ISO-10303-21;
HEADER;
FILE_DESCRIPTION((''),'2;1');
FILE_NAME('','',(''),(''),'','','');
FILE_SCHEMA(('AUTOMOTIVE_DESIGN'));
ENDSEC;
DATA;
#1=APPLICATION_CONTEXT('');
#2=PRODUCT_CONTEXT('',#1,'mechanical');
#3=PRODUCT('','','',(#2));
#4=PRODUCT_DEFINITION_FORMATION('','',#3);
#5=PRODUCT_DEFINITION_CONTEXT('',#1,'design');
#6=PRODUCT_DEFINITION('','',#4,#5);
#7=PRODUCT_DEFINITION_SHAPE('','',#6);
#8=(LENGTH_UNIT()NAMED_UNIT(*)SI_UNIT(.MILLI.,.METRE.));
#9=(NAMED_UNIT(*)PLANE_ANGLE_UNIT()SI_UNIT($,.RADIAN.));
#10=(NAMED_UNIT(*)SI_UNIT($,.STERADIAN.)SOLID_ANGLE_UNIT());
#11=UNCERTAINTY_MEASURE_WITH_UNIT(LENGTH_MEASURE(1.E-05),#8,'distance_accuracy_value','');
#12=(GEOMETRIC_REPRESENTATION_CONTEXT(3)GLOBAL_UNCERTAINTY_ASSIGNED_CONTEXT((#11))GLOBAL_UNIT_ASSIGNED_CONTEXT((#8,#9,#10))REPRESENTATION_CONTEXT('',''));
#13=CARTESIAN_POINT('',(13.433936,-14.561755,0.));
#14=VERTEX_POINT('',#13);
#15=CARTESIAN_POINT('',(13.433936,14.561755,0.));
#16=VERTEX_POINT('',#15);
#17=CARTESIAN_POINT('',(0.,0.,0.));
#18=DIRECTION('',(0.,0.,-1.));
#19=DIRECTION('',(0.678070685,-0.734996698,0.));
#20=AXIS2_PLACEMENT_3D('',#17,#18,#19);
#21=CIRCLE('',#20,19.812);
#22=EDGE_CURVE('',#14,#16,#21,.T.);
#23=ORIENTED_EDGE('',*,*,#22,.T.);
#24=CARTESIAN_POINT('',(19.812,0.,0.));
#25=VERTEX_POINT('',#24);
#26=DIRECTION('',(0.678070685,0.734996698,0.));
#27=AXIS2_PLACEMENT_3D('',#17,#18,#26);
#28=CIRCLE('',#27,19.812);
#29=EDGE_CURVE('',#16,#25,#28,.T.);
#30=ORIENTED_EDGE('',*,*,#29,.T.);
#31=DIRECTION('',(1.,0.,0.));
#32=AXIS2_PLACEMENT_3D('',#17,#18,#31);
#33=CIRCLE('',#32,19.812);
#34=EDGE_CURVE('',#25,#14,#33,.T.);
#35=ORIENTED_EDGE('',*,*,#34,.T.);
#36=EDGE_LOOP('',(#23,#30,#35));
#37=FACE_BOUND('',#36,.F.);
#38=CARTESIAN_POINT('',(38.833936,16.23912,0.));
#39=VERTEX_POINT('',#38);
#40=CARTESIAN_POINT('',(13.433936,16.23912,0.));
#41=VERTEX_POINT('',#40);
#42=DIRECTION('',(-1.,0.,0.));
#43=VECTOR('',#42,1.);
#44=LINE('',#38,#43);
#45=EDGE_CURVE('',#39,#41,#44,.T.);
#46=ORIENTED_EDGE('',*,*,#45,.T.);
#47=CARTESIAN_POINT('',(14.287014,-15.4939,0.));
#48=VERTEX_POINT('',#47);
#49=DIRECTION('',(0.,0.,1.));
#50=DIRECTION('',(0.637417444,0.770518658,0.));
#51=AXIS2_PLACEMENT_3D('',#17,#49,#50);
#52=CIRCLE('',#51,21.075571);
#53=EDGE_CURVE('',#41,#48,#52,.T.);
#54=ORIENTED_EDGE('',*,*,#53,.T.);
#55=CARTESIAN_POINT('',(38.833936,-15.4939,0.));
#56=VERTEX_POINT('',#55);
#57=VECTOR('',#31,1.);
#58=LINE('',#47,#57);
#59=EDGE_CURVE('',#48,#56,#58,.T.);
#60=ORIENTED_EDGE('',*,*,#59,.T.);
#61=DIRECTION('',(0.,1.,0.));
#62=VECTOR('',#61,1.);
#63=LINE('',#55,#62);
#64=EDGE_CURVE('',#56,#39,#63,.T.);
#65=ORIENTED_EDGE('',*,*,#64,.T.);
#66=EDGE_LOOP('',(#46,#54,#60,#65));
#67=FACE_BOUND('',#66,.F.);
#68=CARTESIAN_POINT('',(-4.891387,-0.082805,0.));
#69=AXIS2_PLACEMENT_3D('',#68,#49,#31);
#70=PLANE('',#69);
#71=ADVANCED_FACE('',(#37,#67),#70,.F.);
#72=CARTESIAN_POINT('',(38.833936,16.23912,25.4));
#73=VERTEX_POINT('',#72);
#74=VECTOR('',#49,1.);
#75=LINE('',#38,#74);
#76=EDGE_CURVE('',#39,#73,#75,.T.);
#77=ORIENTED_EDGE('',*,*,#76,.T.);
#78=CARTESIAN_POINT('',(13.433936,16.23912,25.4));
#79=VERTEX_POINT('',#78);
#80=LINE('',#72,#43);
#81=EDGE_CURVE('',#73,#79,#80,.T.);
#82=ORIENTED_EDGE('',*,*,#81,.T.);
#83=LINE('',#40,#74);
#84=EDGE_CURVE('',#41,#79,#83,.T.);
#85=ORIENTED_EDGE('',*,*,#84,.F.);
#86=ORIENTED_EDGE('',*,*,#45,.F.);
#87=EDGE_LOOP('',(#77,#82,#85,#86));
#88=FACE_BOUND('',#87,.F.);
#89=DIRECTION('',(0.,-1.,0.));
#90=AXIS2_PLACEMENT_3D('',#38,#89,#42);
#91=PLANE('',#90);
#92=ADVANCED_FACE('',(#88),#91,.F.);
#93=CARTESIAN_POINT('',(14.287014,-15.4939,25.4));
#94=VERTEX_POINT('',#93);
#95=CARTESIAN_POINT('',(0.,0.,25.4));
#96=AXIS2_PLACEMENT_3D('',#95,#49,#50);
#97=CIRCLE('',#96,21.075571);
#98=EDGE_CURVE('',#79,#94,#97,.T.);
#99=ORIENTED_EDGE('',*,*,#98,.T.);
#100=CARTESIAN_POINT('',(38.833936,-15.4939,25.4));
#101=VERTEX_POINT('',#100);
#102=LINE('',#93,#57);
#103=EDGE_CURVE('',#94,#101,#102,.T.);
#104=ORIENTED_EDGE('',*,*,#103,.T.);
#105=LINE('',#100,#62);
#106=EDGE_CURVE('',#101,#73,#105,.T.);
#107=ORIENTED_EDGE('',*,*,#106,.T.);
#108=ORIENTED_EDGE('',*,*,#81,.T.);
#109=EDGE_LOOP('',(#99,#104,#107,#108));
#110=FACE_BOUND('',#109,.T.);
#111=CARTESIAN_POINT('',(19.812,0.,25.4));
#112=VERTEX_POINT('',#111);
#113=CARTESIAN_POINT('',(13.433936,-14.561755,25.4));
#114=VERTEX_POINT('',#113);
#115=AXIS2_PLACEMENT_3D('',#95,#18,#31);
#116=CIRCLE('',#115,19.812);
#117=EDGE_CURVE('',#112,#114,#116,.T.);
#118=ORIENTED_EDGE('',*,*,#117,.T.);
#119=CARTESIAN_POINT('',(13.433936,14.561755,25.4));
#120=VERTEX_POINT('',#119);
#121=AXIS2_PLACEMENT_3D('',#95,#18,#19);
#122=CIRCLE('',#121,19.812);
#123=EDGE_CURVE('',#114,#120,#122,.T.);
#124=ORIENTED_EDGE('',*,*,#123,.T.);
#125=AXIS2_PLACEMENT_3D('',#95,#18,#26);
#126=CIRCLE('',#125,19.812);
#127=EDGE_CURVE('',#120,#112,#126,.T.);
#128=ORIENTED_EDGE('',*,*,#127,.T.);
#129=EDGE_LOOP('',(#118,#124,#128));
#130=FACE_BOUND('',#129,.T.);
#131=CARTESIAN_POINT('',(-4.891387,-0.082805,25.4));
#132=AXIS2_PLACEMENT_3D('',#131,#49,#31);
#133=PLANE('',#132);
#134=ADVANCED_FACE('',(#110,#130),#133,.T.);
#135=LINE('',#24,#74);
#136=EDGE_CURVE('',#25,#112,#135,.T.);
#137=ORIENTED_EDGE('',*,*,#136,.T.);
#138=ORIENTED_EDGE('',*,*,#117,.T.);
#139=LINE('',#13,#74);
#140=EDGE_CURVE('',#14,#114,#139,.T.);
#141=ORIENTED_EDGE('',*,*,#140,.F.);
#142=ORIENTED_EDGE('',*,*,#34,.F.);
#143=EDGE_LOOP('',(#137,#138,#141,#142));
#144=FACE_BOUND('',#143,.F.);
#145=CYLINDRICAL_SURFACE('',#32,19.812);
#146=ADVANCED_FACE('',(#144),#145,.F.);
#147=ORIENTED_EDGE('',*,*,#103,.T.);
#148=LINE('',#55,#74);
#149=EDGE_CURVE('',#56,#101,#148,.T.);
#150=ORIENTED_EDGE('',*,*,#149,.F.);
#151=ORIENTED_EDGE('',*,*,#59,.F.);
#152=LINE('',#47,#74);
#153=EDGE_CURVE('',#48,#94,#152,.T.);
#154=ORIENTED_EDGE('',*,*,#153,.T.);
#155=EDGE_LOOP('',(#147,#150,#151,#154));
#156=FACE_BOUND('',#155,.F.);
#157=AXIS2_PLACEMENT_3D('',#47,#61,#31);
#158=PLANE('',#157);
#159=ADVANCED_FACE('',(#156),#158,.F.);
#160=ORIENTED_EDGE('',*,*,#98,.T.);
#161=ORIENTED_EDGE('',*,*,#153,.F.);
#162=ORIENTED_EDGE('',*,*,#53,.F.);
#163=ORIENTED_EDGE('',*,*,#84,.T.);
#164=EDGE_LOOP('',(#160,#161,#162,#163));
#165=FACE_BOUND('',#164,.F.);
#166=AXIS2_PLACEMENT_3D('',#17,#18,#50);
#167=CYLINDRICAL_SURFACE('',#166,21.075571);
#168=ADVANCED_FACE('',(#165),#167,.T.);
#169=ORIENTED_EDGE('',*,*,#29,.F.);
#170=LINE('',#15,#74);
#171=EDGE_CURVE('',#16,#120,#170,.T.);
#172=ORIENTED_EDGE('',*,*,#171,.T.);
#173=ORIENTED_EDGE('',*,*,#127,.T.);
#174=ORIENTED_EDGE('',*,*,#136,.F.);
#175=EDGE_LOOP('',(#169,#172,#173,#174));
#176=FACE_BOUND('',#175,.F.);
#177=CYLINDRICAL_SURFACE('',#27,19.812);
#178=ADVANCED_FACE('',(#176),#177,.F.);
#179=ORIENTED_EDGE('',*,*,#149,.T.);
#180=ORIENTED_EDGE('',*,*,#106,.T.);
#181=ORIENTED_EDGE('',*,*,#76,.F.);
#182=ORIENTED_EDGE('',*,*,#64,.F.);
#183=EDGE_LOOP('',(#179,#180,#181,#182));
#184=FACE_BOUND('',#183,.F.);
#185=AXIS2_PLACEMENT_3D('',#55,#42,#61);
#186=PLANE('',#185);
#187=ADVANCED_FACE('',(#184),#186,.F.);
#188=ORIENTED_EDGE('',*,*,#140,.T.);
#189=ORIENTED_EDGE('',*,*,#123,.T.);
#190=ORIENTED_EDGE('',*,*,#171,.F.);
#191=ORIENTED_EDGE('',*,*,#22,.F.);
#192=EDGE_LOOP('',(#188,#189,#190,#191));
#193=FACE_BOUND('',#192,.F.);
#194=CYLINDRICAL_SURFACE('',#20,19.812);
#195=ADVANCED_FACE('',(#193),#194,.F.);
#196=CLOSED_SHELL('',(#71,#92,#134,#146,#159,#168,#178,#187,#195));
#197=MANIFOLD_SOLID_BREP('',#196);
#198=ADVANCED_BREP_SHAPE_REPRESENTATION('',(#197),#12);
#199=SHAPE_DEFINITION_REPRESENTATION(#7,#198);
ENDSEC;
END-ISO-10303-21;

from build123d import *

# Parameters (mm, degrees)
F1_DEPTH = 25.4
F2_DEPTH = 25.4


with BuildPart() as f1:
    # F0 (on Top) → F1 (new body)
    with BuildSketch(Plane.XY):
        with BuildLine():
            Line((13.4339364156, 14.5617545777), (13.4339364156, 16.2391204683))
            ThreePointArc((13.4339364156, 16.2391204683), (-21.0679592629, -0.5663688742), (14.287013575, -15.4938995838))
            Line((14.287013575, -15.4938995838), (13.4339364156, -15.4938995838))
            Line((13.4339364156, -15.4938995838), (13.4339364156, -14.5617545777))
            ThreePointArc((13.4339364156, -14.5617545777), (-19.812, 0), (13.4339364156, 14.5617545777))
        make_face()
        with BuildLine():
            ThreePointArc((13.4339364156, 16.2391204683), (19.0697084166, 8.9736225745), (21.0755707207, 0))
            ThreePointArc((21.0755707207, 0), (19.3039716923, -8.4579168894), (14.287013575, -15.4938995838))
            Line((14.287013575, -15.4938995838), (38.8339364156, -15.4938995838))
            Line((38.8339364156, -15.4938995838), (38.8339364156, 16.2391204683))
            Line((38.8339364156, 16.2391204683), (13.4339364156, 16.2391204683))
        make_face()
        with BuildLine():
            ThreePointArc((14.287013575, -15.4938995838), (19.3039716923, -8.4579168894), (21.0755707207, 0))
            ThreePointArc((21.0755707207, 0), (19.0697084166, 8.9736225745), (13.4339364156, 16.2391204683))
            Line((13.4339364156, 16.2391204683), (13.4339364156, 14.5617545777))
            ThreePointArc((13.4339364156, 14.5617545777), (18.1475686011, 7.9486538399), (19.812, 0))
            ThreePointArc((19.812, 0), (18.1475686011, -7.9486538399), (13.4339364156, -14.5617545777))
            Line((13.4339364156, -14.5617545777), (13.4339364156, -15.4938995838))
            Line((13.4339364156, -15.4938995838), (14.287013575, -15.4938995838))
        make_face()
    extrude(amount=F1_DEPTH)

    # F0 (on Top) → F2 (cut)
    with BuildSketch(Plane.XY):
        with BuildLine():
            Line((13.4339364156, -14.5617545777), (13.4339364156, 14.5617545777))
            ThreePointArc((13.4339364156, 14.5617545777), (-19.812, 0), (13.4339364156, -14.5617545777))
        make_face()
    extrude(amount=F2_DEPTH, mode=Mode.SUBTRACT)


solid = f1.part
